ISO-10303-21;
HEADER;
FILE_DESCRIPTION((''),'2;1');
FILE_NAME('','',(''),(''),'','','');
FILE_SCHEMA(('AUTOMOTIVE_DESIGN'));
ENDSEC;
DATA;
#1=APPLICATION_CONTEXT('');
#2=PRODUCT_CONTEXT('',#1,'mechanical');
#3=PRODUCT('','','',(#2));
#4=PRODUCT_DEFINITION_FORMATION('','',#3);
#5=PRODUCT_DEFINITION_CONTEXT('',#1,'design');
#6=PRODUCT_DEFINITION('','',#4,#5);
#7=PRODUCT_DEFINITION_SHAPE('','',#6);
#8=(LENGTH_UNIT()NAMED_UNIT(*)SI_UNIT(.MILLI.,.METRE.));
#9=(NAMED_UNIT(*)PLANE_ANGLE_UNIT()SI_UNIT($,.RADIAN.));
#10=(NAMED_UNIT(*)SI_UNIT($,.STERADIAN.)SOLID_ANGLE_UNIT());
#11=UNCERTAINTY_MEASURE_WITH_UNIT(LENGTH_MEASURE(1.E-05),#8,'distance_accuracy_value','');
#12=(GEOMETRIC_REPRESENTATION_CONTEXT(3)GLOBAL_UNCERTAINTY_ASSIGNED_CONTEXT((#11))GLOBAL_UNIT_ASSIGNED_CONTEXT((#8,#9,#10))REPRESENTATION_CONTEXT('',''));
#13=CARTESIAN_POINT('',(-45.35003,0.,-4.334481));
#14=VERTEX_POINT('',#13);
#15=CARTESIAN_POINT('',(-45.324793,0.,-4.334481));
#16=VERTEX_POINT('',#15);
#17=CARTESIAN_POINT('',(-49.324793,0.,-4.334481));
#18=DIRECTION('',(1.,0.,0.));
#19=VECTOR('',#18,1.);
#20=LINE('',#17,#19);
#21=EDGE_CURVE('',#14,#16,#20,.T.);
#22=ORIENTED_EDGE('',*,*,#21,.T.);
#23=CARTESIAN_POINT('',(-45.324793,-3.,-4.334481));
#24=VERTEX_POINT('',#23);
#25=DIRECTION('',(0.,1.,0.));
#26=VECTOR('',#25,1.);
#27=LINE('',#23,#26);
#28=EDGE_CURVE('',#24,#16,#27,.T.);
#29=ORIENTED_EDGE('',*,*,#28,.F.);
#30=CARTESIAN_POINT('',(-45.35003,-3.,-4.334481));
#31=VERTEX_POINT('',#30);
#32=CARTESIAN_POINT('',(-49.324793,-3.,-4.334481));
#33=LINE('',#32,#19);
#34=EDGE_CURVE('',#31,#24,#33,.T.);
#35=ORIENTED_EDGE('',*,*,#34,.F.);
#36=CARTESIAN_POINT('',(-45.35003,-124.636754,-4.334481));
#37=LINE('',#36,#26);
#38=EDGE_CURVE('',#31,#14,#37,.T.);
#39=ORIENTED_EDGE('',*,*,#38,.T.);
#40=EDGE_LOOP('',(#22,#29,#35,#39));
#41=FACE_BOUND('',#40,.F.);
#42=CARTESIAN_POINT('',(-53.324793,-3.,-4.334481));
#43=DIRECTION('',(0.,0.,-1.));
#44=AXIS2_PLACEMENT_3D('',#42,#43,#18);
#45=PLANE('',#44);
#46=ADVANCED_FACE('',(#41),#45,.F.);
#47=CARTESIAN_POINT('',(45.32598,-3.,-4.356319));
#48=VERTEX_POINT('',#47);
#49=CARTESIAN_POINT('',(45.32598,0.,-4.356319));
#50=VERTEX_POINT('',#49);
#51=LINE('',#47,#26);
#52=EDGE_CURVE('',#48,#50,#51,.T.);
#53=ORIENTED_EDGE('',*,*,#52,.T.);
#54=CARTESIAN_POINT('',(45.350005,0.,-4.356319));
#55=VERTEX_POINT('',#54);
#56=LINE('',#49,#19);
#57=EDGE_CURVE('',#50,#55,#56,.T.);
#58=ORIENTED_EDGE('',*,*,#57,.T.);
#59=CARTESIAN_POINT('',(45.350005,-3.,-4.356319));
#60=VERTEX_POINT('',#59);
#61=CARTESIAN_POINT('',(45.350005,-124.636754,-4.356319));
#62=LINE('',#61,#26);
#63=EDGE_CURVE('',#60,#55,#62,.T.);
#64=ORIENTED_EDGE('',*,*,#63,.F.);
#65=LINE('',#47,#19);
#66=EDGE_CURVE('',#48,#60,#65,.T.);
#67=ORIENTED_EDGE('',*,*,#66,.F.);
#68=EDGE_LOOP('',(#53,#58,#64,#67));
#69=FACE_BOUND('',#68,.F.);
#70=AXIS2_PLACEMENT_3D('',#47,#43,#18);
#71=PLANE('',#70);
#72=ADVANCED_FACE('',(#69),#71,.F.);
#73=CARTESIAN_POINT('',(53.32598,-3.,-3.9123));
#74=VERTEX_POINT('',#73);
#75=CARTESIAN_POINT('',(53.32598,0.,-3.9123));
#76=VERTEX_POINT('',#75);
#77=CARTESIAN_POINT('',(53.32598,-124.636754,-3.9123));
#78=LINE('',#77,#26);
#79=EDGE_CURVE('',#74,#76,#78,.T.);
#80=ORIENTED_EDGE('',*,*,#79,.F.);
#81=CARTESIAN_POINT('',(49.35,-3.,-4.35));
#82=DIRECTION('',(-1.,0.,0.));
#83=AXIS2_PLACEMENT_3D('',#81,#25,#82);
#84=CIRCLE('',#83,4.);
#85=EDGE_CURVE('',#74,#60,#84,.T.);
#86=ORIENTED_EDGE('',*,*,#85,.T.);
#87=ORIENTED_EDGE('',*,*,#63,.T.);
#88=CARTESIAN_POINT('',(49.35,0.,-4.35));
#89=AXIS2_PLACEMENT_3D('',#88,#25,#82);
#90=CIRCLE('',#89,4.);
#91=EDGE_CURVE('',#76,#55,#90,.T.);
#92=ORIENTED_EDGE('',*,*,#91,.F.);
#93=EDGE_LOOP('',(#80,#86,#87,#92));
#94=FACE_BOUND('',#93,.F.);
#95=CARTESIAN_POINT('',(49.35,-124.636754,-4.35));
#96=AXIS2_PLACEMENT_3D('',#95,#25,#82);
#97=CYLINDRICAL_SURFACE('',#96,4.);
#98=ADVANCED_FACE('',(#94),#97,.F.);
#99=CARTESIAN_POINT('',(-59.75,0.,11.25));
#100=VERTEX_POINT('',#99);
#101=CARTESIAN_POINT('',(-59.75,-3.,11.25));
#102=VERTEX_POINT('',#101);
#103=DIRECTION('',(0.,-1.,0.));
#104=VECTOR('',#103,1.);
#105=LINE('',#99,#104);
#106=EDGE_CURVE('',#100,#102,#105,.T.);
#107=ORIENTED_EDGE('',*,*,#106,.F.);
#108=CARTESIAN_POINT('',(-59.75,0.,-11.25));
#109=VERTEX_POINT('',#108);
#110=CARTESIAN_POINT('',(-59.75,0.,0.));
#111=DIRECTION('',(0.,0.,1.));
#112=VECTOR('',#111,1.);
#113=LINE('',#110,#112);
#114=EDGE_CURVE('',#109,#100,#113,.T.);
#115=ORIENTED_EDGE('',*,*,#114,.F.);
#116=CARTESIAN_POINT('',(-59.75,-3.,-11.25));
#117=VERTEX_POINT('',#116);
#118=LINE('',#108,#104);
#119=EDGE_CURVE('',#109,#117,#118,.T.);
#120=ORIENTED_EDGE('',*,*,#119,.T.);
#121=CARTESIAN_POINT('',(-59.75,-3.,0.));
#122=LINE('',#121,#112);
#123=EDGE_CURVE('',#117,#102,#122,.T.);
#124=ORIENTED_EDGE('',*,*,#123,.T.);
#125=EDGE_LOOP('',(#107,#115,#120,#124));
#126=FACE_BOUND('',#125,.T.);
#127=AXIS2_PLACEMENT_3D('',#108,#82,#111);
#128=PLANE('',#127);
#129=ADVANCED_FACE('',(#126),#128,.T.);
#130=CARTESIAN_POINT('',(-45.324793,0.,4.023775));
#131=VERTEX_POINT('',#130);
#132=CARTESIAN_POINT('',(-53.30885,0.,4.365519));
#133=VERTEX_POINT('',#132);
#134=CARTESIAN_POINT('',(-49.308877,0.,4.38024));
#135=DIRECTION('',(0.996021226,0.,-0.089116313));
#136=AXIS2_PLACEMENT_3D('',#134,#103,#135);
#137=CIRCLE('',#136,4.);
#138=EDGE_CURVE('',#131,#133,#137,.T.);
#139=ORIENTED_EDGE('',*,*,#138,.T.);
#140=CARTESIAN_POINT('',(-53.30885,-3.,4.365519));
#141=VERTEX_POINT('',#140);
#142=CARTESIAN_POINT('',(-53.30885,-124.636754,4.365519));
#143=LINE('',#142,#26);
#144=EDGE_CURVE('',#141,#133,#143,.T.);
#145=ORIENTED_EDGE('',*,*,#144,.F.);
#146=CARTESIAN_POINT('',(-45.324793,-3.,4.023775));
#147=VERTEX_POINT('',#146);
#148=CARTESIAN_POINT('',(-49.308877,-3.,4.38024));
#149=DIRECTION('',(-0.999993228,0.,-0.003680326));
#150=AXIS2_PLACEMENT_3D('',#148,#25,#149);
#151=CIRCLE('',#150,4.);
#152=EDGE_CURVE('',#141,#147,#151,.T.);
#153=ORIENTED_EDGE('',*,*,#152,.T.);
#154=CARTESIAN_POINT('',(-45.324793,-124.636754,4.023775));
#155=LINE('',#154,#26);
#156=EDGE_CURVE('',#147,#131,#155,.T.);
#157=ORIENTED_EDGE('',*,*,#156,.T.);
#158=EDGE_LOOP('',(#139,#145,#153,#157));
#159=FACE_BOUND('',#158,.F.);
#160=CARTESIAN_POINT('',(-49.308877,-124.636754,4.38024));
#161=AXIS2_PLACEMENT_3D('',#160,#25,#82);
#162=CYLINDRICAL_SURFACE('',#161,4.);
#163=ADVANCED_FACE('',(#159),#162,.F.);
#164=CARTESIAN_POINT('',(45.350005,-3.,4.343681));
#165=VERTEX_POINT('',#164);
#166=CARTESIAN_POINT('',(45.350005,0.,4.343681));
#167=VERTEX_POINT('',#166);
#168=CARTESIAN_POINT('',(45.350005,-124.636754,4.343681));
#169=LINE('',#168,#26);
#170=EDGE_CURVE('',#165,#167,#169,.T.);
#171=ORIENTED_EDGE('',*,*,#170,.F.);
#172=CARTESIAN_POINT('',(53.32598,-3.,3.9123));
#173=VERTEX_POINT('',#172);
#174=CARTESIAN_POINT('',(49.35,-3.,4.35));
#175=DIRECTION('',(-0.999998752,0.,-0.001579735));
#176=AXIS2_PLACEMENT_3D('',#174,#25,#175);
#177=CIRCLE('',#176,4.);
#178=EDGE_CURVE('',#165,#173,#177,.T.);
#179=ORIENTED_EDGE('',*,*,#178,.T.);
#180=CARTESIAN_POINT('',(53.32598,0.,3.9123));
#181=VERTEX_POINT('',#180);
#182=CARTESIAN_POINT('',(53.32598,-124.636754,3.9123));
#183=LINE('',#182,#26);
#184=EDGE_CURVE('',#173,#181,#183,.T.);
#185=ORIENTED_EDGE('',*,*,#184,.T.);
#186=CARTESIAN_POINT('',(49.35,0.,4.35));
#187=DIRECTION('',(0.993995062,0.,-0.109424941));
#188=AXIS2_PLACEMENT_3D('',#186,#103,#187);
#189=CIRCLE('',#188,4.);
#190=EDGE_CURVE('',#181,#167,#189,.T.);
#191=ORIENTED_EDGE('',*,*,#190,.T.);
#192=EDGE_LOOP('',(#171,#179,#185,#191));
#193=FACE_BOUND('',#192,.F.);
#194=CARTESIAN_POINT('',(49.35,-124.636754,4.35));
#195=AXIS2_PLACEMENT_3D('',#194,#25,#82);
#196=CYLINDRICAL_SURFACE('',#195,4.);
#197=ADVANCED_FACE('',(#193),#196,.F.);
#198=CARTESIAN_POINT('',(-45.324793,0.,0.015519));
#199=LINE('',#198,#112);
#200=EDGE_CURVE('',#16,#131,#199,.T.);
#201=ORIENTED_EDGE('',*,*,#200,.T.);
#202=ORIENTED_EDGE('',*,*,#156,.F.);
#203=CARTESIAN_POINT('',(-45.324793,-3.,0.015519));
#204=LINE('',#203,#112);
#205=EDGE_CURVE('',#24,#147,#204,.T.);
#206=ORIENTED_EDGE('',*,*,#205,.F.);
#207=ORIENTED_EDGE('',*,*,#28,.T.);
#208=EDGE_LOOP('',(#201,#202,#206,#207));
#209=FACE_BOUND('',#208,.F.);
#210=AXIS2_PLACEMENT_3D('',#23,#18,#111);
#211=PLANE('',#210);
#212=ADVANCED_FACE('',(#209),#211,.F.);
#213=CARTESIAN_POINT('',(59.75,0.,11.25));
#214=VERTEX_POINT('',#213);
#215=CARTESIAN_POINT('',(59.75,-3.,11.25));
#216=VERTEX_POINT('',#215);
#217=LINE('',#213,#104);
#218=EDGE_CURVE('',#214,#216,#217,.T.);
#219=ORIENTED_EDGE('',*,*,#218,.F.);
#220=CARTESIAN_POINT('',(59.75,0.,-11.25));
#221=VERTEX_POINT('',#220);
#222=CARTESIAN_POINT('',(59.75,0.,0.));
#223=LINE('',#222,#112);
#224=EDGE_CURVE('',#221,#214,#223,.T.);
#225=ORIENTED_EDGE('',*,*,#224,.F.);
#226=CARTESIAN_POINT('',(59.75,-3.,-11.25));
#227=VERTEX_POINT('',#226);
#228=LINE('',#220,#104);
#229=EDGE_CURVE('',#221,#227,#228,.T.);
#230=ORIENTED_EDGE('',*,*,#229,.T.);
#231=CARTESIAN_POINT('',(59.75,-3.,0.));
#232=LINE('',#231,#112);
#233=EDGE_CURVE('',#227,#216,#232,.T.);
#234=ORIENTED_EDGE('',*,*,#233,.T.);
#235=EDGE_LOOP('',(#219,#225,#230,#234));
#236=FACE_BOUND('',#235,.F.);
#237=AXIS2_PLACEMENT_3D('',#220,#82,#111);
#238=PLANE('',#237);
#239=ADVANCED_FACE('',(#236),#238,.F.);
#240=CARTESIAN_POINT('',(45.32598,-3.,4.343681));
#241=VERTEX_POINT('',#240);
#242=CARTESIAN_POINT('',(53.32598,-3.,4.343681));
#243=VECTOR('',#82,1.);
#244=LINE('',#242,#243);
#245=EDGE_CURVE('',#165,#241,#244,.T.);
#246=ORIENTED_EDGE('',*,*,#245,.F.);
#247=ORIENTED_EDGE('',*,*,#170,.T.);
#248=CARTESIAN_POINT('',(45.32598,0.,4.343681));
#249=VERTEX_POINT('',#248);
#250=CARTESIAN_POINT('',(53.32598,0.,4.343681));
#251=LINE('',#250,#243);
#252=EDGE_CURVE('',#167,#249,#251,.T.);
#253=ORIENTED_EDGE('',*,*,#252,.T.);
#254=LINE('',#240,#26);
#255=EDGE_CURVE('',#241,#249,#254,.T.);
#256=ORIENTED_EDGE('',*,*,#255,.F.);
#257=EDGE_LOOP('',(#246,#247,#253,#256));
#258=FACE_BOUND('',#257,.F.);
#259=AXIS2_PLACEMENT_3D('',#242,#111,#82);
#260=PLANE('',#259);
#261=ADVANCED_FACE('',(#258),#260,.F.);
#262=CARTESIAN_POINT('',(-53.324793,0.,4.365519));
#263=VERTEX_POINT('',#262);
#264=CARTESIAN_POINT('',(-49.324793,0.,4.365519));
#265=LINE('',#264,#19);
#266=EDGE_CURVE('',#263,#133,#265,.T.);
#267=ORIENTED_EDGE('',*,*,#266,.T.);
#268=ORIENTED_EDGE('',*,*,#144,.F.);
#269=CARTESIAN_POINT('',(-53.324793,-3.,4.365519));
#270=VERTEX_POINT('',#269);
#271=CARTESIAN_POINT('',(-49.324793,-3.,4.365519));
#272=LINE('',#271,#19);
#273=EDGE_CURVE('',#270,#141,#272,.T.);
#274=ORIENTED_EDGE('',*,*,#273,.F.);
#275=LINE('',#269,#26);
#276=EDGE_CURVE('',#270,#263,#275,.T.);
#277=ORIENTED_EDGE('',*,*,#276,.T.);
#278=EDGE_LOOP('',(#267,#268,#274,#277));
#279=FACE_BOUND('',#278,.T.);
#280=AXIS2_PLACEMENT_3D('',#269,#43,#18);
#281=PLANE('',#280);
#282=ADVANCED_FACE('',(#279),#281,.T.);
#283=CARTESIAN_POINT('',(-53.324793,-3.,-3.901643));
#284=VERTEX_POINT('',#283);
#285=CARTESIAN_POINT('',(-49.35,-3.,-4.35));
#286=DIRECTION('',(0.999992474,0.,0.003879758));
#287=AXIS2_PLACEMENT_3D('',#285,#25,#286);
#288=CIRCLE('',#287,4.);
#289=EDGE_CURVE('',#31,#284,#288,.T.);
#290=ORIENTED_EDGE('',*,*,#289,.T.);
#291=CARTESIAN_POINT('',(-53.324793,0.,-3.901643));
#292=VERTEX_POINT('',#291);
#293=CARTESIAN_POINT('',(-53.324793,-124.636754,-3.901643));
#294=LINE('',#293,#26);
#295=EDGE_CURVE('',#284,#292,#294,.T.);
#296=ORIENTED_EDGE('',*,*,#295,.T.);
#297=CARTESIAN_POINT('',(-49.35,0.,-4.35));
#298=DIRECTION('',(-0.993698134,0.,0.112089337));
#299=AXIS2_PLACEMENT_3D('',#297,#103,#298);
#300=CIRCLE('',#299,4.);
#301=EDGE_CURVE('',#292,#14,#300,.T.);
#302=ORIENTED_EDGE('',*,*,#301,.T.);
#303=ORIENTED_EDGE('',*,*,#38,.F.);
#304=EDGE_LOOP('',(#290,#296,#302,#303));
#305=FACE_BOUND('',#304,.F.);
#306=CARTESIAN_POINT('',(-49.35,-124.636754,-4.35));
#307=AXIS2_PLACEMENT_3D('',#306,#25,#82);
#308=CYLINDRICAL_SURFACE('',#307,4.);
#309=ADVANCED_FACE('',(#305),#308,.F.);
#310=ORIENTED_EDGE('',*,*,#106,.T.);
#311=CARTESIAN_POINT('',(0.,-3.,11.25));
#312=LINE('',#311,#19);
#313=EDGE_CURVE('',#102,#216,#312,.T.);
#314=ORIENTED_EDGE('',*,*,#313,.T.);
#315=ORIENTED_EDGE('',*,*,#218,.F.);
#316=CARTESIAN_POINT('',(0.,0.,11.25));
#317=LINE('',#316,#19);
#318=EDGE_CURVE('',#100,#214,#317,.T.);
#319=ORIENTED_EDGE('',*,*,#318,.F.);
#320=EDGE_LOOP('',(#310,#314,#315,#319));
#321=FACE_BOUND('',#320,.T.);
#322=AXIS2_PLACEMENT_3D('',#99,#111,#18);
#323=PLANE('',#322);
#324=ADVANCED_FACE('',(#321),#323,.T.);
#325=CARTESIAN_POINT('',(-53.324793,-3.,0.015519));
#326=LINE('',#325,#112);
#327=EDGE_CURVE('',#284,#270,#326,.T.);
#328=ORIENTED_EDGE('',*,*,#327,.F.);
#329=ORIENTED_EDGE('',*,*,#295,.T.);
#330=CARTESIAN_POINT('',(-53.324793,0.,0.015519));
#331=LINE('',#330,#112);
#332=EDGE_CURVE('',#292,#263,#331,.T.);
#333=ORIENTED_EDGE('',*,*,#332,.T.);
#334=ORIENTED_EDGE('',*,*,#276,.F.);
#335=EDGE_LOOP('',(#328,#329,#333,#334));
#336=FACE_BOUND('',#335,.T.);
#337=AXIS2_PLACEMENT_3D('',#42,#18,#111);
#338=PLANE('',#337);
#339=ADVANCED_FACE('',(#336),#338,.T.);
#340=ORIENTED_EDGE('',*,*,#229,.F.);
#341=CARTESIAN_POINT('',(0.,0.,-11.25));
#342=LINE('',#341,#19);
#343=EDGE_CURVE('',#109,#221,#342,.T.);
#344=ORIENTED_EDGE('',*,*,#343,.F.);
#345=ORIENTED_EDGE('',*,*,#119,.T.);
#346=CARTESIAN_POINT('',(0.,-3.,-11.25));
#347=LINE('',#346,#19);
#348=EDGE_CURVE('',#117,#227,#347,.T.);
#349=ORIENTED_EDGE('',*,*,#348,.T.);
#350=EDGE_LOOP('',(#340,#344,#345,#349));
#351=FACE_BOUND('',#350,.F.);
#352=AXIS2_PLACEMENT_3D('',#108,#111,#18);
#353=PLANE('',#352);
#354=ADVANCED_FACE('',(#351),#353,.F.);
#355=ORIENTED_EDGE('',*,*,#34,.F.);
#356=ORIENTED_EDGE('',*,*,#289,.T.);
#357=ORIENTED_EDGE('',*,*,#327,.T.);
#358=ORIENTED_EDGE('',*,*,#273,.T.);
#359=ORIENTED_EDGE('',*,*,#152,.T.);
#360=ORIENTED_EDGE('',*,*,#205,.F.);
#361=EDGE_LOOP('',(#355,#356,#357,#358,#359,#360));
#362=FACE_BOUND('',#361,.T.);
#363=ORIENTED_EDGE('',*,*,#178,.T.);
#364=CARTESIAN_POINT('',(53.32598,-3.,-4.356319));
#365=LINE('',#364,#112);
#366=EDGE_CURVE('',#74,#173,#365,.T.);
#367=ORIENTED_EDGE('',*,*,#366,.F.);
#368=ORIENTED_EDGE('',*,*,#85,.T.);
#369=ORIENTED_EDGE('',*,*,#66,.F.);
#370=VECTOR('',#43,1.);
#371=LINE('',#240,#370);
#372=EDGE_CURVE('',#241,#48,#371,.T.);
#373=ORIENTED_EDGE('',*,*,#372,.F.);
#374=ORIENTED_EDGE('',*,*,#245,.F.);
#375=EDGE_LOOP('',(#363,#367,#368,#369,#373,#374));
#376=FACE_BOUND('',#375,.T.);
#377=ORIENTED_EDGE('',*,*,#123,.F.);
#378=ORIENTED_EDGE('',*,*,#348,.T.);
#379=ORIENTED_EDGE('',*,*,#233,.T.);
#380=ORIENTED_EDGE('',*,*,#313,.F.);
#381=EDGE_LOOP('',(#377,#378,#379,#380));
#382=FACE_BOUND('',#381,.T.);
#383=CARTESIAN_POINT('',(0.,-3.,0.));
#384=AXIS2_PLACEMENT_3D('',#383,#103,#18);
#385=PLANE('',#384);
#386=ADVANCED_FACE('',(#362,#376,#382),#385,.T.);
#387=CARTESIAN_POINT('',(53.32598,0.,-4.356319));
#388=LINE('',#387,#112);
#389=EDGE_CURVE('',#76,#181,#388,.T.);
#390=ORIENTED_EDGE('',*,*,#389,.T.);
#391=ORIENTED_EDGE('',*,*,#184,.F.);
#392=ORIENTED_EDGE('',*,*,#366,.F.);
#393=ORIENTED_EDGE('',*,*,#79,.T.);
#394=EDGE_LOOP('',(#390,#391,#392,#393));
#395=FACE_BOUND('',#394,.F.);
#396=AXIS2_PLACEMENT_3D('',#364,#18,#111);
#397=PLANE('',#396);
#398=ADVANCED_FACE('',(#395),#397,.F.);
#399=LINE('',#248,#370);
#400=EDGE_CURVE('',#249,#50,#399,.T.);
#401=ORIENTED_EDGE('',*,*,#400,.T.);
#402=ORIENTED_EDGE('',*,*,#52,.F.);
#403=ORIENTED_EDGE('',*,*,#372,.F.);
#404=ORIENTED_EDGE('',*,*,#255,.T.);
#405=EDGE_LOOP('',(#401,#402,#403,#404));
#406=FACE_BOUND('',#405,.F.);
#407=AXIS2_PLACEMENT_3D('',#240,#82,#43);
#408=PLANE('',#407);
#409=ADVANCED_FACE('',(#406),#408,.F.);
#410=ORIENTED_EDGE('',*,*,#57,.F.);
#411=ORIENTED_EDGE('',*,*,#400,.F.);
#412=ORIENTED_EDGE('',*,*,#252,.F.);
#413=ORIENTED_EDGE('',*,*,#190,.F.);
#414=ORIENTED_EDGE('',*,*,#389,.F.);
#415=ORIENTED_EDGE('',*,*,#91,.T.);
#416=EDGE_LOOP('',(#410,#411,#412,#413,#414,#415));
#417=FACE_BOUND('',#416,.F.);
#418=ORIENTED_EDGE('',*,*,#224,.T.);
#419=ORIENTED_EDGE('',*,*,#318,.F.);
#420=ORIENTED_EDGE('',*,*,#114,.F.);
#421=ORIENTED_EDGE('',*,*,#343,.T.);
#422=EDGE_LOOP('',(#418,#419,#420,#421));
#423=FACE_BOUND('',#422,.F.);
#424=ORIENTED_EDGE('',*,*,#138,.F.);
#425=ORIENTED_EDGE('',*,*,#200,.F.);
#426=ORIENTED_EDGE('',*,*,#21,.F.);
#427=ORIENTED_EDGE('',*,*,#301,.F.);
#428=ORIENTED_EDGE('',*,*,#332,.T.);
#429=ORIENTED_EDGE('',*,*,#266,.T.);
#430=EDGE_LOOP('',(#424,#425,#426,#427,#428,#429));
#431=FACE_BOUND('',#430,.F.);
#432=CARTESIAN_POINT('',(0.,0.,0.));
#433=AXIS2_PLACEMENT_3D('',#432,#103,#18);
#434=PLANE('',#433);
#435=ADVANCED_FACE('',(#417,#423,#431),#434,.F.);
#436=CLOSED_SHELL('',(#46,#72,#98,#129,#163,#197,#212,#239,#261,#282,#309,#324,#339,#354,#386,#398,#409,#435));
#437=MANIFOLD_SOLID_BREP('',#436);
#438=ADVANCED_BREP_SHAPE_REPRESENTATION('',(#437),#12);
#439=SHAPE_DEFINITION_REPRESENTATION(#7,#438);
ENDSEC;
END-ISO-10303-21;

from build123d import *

# Parameters (mm, degrees)
F0_W      = 119.5
F0_H      = 22.5
F1_DEPTH  = 3
F3_D      = 8
F4_D      = 8
F5_W      = 8
F5_H      = 8.7
F6_DEPTH  = 3
F8_D      = 8
F9_D      = 8
F12_DEPTH = 3


with BuildPart() as f1:
    # F0 (on Front) → F1 (new body)
    with BuildSketch(Plane.XZ):
        Rectangle(F0_W, F0_H)
    extrude(amount=F1_DEPTH)

    # F3 (through all)
    with Locations(Plane.XZ.offset(3)):
        with Locations((-49.3088774383, 4.3802403379)):
            Hole(F3_D / 2)

    # F4 (through all)
    with Locations(Plane.XZ.offset(3)):
        with Locations((-49.35, -4.35)):
            Hole(F4_D / 2)

    # F5 (on face) → F6 (cut)
    with BuildSketch(Plane.XZ.offset(3)):
        with Locations((-49.3247925341, 0.0155190326)):
            Rectangle(F5_W, F5_H)
    extrude(amount=-F6_DEPTH, mode=Mode.SUBTRACT)

    # F8 (through all)
    with Locations(Plane.XZ.offset(3)):
        with Locations((49.35, 4.35)):
            Hole(F8_D / 2)

    # F9 (through all)
    with Locations(Plane.XZ.offset(3)):
        with Locations((49.35, -4.35)):
            Hole(F9_D / 2)

    # F11 (on face) → F12 (cut)
    with BuildSketch(Plane.XZ.offset(3)):
        Polygon((53.3259802461, -4.3563189382), (53.3259802461, 4.3436810618), (45.3259802461, 4.3436810618), (45.3259802461, -4.3563189382), (49.35, -4.3563189382), align=None)
    extrude(amount=-F12_DEPTH, mode=Mode.SUBTRACT)


solid = f1.part
